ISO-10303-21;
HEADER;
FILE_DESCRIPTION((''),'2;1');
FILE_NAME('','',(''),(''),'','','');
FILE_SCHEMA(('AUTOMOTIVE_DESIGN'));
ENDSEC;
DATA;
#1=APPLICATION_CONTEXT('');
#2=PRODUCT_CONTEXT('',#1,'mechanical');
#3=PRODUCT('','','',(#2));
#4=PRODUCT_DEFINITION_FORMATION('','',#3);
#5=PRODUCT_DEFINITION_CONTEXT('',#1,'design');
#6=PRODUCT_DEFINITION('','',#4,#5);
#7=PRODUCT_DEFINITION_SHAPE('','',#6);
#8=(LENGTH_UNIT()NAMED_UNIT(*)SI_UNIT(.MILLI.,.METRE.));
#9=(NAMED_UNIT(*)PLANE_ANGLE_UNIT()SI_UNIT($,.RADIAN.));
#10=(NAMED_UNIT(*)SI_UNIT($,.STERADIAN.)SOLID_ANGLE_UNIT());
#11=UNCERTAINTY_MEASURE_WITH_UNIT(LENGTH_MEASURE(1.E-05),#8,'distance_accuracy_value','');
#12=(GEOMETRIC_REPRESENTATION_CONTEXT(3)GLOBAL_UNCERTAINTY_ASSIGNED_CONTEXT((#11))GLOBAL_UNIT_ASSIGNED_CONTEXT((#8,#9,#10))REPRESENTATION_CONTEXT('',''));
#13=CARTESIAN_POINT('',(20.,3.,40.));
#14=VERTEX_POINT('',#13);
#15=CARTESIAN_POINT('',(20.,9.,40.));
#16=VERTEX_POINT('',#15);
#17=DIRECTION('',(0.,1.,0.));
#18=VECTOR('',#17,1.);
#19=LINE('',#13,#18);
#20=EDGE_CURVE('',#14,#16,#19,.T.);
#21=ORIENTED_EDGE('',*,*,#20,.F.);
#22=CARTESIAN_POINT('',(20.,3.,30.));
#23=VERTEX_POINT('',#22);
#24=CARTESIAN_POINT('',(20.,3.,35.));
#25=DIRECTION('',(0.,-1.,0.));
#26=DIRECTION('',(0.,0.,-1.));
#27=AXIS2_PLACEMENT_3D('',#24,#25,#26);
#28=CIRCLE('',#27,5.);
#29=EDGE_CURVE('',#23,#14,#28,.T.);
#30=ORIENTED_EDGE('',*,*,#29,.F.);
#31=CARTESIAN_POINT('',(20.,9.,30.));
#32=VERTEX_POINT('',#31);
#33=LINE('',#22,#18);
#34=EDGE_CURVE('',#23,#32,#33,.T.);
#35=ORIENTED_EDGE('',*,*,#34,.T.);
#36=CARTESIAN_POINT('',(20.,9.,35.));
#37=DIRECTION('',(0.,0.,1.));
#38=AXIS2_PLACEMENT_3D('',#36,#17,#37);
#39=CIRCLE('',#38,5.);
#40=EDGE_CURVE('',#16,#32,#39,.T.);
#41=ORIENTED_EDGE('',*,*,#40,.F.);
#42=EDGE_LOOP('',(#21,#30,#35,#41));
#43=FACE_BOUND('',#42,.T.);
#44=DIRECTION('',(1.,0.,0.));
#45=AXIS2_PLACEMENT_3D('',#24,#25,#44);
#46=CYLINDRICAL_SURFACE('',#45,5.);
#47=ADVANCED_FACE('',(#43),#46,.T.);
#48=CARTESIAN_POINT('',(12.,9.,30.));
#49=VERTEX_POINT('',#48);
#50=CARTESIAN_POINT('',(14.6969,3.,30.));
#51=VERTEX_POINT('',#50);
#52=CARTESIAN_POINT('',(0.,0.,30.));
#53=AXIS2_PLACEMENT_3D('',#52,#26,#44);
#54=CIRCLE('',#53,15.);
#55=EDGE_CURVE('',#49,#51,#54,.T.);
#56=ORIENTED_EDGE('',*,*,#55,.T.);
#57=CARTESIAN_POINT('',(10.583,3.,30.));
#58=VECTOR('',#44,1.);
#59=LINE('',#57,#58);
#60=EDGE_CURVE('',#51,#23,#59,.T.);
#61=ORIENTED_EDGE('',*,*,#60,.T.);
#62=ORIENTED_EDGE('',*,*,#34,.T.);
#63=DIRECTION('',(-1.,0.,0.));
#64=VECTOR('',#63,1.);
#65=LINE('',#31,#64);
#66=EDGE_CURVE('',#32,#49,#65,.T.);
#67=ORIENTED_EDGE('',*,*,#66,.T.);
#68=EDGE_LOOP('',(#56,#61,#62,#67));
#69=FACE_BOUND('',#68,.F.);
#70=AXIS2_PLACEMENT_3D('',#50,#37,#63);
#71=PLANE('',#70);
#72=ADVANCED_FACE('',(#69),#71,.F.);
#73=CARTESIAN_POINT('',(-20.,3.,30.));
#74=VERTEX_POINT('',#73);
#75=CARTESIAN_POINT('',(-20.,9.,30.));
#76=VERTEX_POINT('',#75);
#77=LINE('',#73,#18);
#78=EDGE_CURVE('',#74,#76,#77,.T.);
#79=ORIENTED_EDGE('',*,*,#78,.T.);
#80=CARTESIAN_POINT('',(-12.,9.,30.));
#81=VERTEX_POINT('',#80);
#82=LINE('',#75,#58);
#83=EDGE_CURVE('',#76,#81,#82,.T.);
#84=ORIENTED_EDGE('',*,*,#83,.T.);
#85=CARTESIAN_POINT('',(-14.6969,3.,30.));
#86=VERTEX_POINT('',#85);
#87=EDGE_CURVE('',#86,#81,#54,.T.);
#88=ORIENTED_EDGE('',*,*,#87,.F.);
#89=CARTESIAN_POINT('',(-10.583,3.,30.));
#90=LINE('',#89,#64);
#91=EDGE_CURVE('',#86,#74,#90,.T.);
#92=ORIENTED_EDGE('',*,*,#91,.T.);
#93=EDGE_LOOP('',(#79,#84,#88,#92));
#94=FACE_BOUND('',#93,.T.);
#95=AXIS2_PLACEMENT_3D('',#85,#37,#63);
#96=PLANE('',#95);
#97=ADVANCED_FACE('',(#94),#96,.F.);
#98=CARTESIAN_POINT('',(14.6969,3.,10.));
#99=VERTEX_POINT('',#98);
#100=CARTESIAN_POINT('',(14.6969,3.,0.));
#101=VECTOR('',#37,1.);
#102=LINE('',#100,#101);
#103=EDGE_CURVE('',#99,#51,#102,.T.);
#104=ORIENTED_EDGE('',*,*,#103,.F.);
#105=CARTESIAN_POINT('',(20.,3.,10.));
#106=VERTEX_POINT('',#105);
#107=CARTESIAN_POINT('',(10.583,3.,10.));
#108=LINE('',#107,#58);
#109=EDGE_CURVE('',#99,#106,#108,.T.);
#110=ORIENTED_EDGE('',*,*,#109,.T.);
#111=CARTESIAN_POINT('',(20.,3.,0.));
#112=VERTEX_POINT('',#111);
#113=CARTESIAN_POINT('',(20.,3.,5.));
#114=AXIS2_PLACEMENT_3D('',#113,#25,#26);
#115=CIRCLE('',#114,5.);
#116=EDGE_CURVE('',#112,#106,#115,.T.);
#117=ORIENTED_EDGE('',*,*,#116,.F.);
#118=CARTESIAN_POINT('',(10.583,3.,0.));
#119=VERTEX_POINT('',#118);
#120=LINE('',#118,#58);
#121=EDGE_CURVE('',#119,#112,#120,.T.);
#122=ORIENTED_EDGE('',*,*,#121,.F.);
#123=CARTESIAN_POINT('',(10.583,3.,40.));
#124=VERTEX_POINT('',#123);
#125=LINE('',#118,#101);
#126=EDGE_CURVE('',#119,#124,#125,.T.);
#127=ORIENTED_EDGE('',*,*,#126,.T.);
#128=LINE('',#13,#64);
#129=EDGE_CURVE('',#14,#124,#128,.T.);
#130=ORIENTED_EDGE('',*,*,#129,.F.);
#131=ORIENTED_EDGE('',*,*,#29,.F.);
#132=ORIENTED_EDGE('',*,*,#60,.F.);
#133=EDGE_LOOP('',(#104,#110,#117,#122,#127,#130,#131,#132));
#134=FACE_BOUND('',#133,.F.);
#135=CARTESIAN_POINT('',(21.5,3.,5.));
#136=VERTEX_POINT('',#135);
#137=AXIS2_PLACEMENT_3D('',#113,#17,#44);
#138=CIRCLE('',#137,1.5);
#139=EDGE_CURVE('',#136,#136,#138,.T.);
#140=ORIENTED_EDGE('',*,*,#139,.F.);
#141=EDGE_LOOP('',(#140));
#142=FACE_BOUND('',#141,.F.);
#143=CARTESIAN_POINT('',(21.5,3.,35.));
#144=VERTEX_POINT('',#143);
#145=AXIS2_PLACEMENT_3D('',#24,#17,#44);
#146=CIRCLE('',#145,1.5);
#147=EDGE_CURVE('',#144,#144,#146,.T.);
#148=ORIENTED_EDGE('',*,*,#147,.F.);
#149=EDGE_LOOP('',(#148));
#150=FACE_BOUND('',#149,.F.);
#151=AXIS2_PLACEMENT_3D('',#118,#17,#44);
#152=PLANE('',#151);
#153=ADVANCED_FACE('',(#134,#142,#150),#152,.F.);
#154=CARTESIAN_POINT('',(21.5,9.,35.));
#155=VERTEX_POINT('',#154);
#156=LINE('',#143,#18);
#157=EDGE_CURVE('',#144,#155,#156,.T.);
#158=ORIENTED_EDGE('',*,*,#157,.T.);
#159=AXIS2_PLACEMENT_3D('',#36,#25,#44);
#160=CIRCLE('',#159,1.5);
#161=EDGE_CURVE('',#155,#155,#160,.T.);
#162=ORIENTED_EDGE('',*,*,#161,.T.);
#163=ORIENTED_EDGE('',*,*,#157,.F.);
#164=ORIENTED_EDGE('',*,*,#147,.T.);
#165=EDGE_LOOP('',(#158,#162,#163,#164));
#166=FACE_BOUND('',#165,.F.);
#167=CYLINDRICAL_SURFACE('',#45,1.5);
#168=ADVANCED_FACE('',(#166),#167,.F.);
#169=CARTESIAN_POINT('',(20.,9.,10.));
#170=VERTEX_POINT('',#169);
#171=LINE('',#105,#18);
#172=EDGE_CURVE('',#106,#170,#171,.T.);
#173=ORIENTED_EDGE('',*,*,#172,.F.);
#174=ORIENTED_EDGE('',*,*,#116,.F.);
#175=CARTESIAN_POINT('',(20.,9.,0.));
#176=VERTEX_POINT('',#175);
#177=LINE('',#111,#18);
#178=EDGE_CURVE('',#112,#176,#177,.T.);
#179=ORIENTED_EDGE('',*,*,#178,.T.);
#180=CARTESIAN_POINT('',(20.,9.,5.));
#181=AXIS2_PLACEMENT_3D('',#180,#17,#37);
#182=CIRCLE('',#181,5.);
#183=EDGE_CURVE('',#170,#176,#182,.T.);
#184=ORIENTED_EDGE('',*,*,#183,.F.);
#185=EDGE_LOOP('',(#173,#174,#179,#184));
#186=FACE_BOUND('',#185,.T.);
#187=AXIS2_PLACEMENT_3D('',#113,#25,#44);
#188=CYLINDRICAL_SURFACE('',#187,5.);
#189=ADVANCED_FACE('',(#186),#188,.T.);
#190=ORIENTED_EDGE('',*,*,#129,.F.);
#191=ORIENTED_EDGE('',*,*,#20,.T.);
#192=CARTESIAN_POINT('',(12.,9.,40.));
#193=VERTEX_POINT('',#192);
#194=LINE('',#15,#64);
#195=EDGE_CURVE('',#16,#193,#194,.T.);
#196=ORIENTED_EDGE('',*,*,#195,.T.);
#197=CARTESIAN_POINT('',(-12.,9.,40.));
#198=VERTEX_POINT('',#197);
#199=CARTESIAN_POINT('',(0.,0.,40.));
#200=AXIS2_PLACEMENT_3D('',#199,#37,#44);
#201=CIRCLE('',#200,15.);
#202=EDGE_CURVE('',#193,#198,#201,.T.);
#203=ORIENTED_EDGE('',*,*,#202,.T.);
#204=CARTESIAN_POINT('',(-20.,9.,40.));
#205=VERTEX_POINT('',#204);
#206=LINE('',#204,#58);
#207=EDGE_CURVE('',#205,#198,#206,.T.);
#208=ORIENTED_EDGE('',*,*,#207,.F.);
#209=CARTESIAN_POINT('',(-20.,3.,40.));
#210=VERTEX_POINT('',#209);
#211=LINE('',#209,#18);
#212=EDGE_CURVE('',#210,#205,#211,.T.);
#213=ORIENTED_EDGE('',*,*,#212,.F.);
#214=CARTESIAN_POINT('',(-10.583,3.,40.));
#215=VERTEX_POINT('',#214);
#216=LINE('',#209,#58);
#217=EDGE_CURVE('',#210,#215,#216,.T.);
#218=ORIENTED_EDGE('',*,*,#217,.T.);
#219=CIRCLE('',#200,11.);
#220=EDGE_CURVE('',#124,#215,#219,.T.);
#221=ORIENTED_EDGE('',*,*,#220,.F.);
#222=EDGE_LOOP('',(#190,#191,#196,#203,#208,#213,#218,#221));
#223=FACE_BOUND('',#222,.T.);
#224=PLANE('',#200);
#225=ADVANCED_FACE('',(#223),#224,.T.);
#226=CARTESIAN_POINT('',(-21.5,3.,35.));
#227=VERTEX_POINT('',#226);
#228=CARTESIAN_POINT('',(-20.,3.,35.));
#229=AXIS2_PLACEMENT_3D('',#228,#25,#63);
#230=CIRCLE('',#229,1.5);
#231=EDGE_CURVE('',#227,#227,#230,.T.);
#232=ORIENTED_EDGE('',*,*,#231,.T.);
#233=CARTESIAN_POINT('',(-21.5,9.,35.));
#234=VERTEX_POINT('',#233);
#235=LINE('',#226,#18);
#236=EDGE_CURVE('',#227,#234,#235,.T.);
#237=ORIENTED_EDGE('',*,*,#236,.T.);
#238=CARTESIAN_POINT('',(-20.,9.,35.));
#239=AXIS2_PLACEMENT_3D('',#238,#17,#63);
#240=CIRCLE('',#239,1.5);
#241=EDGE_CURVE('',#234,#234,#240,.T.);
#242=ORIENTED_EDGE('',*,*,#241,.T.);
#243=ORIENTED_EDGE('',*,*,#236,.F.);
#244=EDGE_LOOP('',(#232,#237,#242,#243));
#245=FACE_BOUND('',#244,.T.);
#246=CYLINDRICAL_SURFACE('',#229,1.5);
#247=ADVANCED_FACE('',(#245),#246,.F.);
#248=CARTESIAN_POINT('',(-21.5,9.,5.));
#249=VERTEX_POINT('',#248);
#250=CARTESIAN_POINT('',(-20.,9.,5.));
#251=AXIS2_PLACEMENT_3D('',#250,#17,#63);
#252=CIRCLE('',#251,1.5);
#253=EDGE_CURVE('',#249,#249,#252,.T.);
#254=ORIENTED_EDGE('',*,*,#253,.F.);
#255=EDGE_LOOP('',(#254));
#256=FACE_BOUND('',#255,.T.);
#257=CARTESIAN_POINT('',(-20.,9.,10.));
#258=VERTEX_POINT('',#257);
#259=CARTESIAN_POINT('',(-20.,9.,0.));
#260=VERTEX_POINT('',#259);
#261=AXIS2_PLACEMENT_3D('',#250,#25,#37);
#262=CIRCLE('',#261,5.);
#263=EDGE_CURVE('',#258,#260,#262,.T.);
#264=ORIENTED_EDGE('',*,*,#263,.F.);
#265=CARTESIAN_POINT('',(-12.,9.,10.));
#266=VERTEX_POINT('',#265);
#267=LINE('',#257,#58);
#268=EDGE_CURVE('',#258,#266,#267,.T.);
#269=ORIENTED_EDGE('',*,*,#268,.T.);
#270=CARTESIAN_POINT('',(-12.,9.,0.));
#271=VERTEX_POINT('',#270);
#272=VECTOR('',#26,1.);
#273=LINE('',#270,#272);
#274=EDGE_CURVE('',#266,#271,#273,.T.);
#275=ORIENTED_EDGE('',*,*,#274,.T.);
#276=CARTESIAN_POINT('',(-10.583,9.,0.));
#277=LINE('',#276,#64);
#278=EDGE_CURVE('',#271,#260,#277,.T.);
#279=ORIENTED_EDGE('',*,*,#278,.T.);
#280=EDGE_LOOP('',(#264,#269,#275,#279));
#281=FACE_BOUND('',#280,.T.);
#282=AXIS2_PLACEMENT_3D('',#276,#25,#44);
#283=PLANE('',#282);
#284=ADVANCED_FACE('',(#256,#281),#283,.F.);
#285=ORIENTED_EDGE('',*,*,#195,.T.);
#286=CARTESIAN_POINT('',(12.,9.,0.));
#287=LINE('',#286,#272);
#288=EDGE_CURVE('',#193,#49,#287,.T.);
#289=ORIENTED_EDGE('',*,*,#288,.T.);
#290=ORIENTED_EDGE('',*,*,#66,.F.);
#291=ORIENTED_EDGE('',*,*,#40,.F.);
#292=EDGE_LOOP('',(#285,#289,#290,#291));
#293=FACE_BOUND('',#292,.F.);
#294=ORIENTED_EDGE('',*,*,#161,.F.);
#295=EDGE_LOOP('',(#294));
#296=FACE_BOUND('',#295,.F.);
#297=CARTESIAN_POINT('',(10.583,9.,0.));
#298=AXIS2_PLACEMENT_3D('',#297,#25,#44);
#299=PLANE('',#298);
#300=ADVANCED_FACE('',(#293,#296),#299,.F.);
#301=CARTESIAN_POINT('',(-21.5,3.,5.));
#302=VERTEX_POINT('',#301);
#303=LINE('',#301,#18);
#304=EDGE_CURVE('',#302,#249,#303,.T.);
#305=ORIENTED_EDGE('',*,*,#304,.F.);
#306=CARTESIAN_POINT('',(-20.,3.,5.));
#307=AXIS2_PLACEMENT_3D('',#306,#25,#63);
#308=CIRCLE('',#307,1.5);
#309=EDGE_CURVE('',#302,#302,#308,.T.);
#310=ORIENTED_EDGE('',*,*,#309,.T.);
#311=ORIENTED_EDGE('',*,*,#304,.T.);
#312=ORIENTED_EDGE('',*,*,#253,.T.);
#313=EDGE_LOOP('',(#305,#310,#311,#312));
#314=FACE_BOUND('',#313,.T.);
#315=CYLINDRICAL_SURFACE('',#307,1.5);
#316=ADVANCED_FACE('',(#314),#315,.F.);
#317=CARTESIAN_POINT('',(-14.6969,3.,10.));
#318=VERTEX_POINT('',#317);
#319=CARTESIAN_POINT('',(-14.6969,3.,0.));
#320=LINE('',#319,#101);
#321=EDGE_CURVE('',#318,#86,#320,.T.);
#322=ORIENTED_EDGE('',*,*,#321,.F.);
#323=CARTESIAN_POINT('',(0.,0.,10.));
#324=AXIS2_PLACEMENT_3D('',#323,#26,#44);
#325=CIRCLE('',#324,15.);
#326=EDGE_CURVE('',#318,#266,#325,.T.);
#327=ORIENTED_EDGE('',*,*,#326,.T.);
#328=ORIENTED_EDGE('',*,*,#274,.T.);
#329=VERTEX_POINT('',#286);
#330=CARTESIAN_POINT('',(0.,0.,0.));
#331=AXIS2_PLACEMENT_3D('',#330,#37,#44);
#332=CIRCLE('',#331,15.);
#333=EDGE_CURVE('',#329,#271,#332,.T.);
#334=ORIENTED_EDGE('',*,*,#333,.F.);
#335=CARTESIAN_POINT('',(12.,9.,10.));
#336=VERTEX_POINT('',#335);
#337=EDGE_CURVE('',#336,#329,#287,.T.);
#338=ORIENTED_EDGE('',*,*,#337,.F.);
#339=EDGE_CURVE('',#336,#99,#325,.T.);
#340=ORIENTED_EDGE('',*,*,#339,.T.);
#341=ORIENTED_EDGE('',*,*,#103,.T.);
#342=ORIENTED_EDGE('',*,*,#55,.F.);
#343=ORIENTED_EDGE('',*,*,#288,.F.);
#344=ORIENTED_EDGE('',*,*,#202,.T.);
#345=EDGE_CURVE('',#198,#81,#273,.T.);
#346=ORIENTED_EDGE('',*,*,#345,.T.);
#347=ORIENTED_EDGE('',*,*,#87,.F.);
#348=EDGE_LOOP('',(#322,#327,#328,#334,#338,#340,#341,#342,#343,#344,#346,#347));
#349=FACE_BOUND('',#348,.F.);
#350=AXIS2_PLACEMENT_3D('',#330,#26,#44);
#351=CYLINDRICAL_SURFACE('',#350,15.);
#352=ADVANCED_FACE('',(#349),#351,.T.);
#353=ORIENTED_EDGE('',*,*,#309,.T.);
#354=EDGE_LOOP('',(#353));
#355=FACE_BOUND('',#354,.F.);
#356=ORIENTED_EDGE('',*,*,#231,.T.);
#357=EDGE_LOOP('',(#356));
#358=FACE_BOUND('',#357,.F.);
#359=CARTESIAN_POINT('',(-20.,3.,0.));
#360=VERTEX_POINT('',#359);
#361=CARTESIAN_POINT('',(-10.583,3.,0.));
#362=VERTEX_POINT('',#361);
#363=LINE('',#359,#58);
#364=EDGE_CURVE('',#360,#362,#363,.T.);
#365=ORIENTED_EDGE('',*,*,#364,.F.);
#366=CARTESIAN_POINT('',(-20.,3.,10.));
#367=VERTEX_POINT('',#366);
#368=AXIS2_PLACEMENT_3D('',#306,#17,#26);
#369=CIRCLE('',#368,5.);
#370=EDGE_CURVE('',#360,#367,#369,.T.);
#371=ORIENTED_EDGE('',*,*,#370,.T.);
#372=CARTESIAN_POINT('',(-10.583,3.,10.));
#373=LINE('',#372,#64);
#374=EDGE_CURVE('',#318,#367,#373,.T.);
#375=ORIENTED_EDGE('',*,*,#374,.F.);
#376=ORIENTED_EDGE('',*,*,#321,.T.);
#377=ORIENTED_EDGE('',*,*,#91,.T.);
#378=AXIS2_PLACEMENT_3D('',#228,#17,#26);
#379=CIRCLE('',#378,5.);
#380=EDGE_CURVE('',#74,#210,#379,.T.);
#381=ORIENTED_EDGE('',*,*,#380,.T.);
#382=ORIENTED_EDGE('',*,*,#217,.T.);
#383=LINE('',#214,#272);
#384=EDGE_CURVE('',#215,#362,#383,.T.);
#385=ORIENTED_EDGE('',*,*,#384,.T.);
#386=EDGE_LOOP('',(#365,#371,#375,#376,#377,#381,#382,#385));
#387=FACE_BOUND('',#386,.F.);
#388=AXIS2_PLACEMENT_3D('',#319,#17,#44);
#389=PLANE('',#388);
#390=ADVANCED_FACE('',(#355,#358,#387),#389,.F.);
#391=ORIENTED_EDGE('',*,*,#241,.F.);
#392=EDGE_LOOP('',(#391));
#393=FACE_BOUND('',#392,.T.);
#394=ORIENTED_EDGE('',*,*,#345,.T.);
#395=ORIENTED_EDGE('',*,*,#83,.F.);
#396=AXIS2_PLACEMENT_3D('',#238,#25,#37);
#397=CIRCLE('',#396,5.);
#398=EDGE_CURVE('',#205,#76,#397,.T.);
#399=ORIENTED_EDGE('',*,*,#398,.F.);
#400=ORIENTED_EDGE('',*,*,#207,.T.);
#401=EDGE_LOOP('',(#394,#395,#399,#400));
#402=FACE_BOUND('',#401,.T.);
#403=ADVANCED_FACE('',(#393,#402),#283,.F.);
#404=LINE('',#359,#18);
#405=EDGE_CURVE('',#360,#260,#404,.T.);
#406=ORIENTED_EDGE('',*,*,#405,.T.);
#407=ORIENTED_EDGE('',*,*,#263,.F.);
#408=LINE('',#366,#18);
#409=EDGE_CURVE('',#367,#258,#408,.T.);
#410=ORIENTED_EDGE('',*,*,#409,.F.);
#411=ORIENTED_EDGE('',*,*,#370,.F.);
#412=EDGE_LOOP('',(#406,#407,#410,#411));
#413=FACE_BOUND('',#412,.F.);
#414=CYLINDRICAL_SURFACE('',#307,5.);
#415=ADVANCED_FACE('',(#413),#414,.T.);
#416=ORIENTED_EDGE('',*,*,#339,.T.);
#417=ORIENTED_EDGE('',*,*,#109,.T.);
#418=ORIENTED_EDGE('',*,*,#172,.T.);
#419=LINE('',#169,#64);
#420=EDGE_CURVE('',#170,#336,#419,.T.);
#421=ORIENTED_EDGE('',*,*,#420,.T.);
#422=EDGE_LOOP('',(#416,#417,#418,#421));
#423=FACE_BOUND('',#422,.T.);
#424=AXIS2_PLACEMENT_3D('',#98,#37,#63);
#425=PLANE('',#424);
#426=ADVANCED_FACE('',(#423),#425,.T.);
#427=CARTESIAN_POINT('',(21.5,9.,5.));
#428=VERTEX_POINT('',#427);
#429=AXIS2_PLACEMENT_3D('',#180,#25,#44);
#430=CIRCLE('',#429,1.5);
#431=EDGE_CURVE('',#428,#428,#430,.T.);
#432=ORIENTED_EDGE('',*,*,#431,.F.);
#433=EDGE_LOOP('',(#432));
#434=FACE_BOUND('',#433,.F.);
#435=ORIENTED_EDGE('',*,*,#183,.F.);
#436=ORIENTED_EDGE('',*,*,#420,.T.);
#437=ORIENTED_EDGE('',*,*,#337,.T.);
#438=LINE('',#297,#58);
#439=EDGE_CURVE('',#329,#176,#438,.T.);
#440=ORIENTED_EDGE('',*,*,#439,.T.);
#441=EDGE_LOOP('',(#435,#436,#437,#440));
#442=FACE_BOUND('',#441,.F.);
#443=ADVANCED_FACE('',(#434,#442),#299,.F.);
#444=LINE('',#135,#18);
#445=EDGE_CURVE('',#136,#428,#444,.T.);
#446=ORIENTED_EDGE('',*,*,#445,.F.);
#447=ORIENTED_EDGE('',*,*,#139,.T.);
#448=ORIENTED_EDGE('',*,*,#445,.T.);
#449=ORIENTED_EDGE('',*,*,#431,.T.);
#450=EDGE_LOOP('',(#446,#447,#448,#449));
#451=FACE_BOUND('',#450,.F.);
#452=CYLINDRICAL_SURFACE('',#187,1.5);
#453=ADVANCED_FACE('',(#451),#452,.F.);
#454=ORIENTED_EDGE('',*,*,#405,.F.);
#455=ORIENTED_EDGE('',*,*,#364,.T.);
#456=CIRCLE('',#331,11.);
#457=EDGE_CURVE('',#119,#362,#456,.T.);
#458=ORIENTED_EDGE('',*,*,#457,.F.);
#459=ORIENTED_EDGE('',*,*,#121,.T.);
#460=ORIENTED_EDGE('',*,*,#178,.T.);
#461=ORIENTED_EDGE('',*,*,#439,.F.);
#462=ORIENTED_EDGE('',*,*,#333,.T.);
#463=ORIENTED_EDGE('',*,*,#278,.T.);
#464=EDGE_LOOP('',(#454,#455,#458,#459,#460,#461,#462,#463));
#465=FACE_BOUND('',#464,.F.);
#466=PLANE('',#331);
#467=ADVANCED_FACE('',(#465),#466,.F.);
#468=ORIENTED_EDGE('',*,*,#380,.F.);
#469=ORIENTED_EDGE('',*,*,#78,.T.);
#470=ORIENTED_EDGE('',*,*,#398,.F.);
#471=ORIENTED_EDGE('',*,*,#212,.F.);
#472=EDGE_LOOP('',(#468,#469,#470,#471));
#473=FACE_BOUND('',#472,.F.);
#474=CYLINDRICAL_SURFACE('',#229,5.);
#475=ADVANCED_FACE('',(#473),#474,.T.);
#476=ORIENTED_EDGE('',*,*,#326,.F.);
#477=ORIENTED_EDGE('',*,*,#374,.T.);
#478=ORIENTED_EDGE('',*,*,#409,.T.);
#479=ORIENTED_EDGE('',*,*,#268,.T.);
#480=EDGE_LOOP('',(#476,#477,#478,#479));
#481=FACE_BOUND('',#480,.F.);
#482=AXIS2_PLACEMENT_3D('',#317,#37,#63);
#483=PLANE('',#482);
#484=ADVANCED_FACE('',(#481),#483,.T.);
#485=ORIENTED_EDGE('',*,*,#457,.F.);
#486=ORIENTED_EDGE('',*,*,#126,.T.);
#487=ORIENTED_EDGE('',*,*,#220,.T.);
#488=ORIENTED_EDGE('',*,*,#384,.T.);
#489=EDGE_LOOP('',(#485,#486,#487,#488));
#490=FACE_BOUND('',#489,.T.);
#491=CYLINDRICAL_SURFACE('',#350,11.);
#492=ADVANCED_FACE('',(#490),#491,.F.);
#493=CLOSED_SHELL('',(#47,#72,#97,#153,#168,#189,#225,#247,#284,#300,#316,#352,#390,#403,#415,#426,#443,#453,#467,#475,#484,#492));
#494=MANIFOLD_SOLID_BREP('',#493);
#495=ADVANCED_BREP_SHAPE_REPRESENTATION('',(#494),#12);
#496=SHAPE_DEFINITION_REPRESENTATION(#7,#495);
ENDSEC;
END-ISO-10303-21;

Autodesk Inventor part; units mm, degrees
ref_plane "YZ Plane" through (0, 0, 0) normal (1, 0, 0) x (0, 1, 0)
ref_plane "XZ Plane" through (0, 0, 0) normal (0, 1, 0) x (-1, 0, 0)
ref_plane "XY Plane" through (0, 0, 0) normal (0, 0, 1) x (1, 0, 0)
sketch "Sketch1" plane through (0, 0, 0) normal (0, 0, 1) x (1, 0, 0)
  circle A0 centre (0, 0) radius 11
  line L0 (-10.583, 3) -> (10.583, 3)
  circle A1 centre (0, 0) radius 15
  line L1 (-14.6969, 3) -> (14.6969, 3)
  dimension "d0" = 22
  dimension "d1" = 3
  dimension "d2" = 4
extrude "Extrusion1" add sketch "Sketch1" along normal blind 40 contours A0 L1 A1 picked at (-0.4305, 13.5639)
sketch "Sketch2" plane through (10.583, 3, 0) normal (0, -1, 0) x (1, 0, 0)
  line L0 (-10.583, 0) -> (9.417, 0)
  line L1 (-10.583, 0) -> (-10.583, 40)
  line L2 (-21.166, 40) -> (0, 40) projected
  line L3 (-10.583, 20) -> (9.417, 20)
  line L4 (9.417, 20) -> (9.417, 5)
  circle A0 centre (9.417, 5) radius 1.5
  circle A1 centre (9.417, 5) radius 5
  line L5 (0, 0) -> (4.1139, 0) projected
  line L6 (9.417, 10) -> (4.1139, 10)
  line L7 (4.1139, 10) -> (4.1139, 0)
  line L8 (4.1139, 0) -> (9.417, 0)
  line L9 (9.417, 0) -> (9.417, 10)
  line L10 (-10.583, 40) -> (9.417, 40)
  circle A2 centre (9.417, 35) radius 1.5
  circle A3 centre (9.417, 35) radius 5
  line L11 (9.417, 30) -> (4.1139, 30)
  line L12 (9.417, 40) -> (9.417, 30)
  line L13 (0, 0) -> (4.1139, 0) projected
  line L14 (4.1139, 0) -> (4.1139, 40) projected
  line L15 (0, 40) -> (4.1139, 40) projected
  line L16 (0, 0) -> (0, 40) projected
  line L17 (4.1139, 30) -> (0, 30)
  line L18 (4.1139, 10) -> (0, 10)
  line L19 (0, 0) -> (0, 40) projected
  point P0 (0, 20)
  point P1 (4.1139, 20)
  dimension "d8" = 10
  dimension "d5" = 20
  dimension "d6" = 15
  dimension "d7" = 3
extrude "Extrusion2" add sketch "Sketch2" against normal blind 6 contours L16 L18 L7 L0 | L7 L6 A1 L0 | L9 A0 L4 A1 | A1 L4 A0 L9 | L10 L14 L17 L16 | L10 A3 L11 L14 | L12 A2 A3 | A3 L12 A2
mirror "Mirror1" about plane through (0, 0, 0) normal (1, 0, 0) of "Extrusion2"
properties part number "Shaft_conn_Tensioner"
